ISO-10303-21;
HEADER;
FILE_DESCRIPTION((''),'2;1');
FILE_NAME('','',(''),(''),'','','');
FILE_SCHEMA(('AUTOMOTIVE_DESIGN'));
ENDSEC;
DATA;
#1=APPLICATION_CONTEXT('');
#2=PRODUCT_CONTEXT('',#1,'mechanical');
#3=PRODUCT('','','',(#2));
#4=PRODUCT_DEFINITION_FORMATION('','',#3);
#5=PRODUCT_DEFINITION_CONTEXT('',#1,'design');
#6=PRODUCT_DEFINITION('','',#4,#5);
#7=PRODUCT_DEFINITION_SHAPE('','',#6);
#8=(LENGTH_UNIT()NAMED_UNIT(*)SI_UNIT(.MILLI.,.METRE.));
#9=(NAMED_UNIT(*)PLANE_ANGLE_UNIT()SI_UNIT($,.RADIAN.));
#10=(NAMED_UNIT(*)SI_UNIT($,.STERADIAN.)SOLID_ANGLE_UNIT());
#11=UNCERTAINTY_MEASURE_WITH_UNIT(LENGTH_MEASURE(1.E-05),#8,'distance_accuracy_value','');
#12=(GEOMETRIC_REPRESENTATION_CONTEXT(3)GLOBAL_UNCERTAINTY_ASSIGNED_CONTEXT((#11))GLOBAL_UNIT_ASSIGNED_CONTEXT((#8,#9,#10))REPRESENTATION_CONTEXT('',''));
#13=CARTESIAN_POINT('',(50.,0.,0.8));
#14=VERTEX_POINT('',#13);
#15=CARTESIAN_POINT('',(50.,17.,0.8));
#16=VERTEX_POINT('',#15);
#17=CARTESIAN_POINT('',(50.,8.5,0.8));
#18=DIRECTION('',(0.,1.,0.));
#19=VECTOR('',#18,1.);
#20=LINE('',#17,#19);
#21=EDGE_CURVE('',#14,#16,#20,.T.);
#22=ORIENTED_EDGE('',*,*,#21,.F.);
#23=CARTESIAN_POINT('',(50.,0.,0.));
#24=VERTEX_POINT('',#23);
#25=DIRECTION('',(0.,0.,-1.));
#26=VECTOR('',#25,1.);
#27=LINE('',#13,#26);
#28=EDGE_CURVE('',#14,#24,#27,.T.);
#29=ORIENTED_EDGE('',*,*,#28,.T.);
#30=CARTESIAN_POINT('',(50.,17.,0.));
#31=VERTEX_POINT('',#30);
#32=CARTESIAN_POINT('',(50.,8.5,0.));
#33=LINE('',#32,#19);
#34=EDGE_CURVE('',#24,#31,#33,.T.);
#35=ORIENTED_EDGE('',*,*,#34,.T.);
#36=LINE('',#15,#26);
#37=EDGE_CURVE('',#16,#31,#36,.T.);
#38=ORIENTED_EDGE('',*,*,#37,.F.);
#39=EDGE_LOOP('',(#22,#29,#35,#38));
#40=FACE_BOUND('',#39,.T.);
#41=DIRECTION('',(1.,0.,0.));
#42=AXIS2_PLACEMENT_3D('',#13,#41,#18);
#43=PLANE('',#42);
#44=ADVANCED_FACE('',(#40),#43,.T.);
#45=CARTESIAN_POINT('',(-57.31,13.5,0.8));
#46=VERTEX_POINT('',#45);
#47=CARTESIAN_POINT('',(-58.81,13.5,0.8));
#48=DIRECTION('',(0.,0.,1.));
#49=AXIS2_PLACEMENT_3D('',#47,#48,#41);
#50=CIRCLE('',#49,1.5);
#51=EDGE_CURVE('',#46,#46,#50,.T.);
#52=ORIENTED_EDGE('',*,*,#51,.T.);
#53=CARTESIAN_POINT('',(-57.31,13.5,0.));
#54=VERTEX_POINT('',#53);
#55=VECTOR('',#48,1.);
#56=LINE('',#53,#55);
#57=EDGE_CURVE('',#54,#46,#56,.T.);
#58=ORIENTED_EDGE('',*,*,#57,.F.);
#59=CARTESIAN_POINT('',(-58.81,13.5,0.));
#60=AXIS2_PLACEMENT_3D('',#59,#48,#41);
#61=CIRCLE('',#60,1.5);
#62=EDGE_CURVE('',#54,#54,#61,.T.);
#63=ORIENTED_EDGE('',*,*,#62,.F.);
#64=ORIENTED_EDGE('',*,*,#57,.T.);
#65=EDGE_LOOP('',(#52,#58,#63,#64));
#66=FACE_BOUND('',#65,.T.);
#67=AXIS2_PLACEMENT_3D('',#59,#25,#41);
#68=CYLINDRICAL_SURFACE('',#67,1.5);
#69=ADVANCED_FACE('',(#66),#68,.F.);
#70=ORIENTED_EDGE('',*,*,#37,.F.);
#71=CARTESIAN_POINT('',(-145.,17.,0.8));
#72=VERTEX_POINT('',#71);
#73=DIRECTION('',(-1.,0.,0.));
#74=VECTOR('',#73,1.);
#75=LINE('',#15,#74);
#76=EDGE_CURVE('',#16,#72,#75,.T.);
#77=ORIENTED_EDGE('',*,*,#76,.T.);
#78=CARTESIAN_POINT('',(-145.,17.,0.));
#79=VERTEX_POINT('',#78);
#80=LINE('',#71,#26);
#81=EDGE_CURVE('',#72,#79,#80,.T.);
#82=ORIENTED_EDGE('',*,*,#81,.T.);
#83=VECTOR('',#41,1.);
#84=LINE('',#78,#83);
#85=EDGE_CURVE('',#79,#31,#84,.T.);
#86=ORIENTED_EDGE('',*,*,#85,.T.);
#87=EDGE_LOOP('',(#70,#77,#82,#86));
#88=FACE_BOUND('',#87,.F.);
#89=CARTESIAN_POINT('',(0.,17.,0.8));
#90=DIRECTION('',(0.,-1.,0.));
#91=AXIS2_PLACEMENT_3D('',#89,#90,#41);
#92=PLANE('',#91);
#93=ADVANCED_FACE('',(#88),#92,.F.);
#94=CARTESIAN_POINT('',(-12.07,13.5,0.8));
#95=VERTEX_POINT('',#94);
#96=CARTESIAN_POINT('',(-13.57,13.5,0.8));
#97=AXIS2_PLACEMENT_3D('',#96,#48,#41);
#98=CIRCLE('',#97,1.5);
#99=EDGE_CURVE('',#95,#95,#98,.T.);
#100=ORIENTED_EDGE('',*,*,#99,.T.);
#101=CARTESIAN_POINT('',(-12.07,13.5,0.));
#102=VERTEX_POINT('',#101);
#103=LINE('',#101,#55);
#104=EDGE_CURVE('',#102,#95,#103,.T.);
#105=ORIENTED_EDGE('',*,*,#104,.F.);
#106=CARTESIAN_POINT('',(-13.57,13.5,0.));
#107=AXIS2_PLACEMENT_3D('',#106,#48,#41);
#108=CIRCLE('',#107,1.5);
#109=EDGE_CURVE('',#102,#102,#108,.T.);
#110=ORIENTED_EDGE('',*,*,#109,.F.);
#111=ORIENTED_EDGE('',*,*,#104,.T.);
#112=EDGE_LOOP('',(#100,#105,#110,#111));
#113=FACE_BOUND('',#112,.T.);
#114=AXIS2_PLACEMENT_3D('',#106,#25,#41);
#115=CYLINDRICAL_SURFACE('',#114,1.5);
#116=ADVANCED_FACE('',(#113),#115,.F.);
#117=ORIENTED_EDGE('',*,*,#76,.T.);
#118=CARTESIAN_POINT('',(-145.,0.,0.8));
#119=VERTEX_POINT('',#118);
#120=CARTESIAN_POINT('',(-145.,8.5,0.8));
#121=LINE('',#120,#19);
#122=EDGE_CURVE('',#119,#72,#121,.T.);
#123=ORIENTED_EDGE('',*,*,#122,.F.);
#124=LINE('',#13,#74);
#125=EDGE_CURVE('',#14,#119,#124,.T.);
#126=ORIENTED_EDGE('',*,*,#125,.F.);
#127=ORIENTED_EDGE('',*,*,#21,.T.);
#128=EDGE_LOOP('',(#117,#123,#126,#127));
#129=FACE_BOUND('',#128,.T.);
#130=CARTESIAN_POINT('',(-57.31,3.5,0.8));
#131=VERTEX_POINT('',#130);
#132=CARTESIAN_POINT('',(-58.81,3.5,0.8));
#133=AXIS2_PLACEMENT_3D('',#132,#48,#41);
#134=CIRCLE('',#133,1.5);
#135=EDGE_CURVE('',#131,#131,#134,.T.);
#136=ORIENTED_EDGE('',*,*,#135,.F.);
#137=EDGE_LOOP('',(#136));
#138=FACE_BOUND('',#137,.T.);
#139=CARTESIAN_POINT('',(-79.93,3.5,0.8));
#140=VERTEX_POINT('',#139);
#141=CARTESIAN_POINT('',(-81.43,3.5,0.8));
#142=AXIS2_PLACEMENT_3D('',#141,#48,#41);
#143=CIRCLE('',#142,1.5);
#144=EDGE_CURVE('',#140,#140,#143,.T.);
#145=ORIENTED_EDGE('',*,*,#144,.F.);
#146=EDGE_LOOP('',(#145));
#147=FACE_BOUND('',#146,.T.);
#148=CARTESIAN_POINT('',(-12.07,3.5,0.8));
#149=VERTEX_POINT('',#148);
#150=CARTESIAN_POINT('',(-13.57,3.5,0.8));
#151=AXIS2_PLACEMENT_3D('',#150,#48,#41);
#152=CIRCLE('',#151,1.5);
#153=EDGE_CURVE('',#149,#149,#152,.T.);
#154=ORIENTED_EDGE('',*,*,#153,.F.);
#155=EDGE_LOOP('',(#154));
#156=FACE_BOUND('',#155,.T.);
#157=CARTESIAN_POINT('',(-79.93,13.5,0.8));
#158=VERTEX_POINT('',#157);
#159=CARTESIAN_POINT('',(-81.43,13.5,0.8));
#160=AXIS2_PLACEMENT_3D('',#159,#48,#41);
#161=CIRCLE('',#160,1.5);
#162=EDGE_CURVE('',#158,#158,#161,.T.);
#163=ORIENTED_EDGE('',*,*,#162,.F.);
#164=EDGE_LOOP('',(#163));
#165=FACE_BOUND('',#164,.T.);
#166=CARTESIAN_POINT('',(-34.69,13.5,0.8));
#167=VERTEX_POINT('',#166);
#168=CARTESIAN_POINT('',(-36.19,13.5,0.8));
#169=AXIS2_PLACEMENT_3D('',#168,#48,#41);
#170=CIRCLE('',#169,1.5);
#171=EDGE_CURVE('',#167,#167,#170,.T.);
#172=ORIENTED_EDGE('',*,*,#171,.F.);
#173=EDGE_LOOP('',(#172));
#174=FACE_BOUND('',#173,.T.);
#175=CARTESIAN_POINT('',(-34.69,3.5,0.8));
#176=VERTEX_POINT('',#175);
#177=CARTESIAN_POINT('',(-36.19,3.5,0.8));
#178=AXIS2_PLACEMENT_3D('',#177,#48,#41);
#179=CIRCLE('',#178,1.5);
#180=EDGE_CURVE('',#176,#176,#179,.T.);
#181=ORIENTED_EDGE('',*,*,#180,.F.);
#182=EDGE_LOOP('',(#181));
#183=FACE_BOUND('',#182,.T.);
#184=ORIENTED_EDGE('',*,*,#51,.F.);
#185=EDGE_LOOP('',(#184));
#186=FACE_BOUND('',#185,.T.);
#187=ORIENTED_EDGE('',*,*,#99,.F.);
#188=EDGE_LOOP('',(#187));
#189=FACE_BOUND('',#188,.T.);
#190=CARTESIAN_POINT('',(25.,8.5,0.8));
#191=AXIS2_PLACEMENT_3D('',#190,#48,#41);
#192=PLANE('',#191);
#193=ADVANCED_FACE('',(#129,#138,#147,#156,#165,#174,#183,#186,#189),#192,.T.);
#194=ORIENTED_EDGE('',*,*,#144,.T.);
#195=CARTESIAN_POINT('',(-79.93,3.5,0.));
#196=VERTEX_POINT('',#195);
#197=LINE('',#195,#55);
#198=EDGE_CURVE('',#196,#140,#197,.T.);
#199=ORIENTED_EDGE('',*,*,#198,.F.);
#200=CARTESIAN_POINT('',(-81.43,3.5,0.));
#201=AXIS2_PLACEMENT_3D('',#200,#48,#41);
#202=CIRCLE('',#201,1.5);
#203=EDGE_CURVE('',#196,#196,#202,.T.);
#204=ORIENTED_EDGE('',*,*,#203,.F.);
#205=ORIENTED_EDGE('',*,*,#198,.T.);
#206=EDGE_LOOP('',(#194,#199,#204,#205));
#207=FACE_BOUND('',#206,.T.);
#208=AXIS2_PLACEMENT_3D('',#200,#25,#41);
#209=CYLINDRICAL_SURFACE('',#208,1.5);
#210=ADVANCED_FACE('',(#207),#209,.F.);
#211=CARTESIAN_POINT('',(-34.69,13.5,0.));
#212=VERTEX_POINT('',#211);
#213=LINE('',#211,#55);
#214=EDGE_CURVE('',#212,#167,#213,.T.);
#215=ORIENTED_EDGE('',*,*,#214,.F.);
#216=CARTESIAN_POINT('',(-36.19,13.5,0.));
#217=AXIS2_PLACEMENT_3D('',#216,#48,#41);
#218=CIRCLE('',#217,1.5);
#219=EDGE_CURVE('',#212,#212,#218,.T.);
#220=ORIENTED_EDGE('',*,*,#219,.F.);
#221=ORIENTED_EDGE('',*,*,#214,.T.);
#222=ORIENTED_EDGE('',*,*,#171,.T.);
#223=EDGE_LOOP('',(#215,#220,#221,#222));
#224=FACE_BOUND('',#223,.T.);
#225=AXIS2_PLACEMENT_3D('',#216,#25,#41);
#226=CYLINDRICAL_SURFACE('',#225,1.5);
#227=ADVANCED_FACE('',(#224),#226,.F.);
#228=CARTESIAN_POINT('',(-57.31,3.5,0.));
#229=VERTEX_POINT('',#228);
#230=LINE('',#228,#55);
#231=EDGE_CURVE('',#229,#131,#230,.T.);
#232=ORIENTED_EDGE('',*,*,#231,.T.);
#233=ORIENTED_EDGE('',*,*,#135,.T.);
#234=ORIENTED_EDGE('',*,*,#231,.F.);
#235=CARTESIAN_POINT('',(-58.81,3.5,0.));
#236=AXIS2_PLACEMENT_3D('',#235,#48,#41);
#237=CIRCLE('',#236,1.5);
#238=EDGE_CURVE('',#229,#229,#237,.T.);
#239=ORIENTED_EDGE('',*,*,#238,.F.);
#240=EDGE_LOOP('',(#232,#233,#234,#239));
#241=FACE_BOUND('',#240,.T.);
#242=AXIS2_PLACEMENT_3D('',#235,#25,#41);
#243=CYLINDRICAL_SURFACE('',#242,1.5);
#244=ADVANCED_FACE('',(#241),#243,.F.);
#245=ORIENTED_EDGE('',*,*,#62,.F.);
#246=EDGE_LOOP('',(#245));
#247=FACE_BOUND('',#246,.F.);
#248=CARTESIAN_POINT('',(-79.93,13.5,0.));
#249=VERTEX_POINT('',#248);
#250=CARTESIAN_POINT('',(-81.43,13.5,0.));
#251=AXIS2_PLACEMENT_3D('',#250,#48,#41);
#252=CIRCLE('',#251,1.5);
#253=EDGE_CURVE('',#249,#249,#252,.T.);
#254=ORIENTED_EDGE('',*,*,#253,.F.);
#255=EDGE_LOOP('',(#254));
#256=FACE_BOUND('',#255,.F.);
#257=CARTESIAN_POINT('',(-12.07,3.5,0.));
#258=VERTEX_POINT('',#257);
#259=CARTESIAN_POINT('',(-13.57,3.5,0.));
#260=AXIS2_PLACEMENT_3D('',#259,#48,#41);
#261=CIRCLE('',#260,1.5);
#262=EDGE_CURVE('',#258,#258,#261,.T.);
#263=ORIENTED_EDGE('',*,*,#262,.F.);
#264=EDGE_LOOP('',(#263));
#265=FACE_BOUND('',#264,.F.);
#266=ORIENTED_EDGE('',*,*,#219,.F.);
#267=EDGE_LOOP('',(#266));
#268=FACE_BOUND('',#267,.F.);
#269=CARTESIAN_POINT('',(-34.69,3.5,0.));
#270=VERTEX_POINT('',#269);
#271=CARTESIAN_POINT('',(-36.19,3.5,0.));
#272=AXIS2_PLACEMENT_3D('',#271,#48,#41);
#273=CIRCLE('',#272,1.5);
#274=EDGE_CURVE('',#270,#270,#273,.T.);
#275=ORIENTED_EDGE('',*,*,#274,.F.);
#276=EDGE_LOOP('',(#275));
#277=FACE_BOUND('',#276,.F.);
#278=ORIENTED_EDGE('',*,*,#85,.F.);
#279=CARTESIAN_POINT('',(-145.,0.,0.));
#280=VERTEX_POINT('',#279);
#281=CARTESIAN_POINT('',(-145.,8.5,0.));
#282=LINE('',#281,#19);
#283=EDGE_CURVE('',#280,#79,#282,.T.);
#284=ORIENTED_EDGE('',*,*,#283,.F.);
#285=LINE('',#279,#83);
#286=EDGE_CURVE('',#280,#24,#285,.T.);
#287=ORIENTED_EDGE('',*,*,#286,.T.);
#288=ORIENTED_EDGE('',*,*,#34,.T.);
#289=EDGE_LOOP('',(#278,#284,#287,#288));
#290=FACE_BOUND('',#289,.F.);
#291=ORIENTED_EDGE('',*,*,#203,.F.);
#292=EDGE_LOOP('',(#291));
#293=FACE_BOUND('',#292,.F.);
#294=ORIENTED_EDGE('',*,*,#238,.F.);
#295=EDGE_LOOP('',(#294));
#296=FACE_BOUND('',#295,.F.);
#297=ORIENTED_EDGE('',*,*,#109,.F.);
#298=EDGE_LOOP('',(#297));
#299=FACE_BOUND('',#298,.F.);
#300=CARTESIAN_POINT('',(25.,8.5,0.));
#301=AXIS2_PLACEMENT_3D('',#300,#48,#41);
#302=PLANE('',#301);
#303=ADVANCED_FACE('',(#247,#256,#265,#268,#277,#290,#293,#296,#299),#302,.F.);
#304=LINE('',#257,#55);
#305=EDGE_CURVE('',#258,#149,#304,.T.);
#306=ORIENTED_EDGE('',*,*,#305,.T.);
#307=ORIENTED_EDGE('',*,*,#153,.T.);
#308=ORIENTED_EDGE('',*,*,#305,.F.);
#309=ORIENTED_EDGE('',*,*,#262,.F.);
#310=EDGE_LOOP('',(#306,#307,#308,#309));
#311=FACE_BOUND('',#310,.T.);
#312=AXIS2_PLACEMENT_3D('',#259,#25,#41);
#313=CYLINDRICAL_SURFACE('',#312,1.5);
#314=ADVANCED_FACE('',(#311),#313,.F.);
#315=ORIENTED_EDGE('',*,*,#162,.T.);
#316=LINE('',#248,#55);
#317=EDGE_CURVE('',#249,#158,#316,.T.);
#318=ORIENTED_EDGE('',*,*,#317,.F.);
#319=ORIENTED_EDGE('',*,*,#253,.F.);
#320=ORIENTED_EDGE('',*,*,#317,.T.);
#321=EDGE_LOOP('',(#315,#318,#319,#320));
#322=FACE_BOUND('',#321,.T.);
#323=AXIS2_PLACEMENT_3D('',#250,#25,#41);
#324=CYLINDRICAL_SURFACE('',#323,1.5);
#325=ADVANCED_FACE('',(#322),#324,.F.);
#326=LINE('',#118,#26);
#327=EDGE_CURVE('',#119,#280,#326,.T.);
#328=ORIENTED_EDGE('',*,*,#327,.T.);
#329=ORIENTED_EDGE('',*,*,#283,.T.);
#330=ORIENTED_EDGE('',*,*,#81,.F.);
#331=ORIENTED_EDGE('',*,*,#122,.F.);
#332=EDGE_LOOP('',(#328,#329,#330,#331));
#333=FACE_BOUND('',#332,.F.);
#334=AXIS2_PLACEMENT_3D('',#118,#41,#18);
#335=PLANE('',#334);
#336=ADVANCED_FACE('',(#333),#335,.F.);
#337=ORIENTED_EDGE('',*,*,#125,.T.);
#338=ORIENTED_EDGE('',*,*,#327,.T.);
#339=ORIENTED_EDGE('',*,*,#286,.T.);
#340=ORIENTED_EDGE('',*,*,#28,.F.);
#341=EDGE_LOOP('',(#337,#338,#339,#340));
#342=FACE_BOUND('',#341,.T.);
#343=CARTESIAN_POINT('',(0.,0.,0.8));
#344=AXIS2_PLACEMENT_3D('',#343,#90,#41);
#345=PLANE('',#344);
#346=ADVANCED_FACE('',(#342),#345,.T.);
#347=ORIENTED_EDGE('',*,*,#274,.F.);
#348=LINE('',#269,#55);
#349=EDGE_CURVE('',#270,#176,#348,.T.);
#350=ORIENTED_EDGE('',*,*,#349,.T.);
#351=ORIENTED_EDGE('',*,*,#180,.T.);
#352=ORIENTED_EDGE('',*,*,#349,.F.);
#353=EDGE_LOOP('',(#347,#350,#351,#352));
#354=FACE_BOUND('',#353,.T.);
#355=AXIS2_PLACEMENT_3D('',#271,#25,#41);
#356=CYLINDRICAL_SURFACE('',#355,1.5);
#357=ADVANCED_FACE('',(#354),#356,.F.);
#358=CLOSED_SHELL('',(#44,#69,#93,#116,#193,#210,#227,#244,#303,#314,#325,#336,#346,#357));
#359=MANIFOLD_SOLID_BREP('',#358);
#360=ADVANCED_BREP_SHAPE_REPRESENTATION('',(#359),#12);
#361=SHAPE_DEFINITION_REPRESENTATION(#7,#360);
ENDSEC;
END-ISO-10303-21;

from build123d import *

# Parameters (mm, degrees)
F0_W     = 95
F0_H     = 17
F0_R     = 1.5
F1_DEPTH = 0.8
F2_W     = 50
F2_H     = 17
F3_DEPTH = 0.8


with BuildPart() as f1:
    # F0 (on Top) → F1 (new body)
    with BuildSketch(Plane.XY):
        with Locations((-47.5, 8.5)):
            Rectangle(F0_W, F0_H)
        with Locations((-81.43, 3.5)):
            Circle(F0_R, mode=Mode.SUBTRACT)
        with Locations((-58.81, 3.5)):
            Circle(F0_R, mode=Mode.SUBTRACT)
        with Locations((-36.19, 3.5)):
            Circle(F0_R, mode=Mode.SUBTRACT)
        with Locations((-13.57, 3.5)):
            Circle(F0_R, mode=Mode.SUBTRACT)
        with Locations((-81.43, 13.5)):
            Circle(F0_R, mode=Mode.SUBTRACT)
        with Locations((-58.81, 13.5)):
            Circle(F0_R, mode=Mode.SUBTRACT)
        with Locations((-36.19, 13.5)):
            Circle(F0_R, mode=Mode.SUBTRACT)
        with Locations((-13.57, 13.5)):
            Circle(F0_R, mode=Mode.SUBTRACT)
    extrude(amount=F1_DEPTH)

    # F2 (on face) → F3 (join, through all)
    with BuildSketch(Plane.XY.offset(0.8)):
        with Locations((25, 8.5)):
            Rectangle(F2_W, F2_H)
        with Locations((-120, 8.5)):
            Rectangle(F2_W, F2_H)
    extrude(amount=-F3_DEPTH)


solid = f1.part
